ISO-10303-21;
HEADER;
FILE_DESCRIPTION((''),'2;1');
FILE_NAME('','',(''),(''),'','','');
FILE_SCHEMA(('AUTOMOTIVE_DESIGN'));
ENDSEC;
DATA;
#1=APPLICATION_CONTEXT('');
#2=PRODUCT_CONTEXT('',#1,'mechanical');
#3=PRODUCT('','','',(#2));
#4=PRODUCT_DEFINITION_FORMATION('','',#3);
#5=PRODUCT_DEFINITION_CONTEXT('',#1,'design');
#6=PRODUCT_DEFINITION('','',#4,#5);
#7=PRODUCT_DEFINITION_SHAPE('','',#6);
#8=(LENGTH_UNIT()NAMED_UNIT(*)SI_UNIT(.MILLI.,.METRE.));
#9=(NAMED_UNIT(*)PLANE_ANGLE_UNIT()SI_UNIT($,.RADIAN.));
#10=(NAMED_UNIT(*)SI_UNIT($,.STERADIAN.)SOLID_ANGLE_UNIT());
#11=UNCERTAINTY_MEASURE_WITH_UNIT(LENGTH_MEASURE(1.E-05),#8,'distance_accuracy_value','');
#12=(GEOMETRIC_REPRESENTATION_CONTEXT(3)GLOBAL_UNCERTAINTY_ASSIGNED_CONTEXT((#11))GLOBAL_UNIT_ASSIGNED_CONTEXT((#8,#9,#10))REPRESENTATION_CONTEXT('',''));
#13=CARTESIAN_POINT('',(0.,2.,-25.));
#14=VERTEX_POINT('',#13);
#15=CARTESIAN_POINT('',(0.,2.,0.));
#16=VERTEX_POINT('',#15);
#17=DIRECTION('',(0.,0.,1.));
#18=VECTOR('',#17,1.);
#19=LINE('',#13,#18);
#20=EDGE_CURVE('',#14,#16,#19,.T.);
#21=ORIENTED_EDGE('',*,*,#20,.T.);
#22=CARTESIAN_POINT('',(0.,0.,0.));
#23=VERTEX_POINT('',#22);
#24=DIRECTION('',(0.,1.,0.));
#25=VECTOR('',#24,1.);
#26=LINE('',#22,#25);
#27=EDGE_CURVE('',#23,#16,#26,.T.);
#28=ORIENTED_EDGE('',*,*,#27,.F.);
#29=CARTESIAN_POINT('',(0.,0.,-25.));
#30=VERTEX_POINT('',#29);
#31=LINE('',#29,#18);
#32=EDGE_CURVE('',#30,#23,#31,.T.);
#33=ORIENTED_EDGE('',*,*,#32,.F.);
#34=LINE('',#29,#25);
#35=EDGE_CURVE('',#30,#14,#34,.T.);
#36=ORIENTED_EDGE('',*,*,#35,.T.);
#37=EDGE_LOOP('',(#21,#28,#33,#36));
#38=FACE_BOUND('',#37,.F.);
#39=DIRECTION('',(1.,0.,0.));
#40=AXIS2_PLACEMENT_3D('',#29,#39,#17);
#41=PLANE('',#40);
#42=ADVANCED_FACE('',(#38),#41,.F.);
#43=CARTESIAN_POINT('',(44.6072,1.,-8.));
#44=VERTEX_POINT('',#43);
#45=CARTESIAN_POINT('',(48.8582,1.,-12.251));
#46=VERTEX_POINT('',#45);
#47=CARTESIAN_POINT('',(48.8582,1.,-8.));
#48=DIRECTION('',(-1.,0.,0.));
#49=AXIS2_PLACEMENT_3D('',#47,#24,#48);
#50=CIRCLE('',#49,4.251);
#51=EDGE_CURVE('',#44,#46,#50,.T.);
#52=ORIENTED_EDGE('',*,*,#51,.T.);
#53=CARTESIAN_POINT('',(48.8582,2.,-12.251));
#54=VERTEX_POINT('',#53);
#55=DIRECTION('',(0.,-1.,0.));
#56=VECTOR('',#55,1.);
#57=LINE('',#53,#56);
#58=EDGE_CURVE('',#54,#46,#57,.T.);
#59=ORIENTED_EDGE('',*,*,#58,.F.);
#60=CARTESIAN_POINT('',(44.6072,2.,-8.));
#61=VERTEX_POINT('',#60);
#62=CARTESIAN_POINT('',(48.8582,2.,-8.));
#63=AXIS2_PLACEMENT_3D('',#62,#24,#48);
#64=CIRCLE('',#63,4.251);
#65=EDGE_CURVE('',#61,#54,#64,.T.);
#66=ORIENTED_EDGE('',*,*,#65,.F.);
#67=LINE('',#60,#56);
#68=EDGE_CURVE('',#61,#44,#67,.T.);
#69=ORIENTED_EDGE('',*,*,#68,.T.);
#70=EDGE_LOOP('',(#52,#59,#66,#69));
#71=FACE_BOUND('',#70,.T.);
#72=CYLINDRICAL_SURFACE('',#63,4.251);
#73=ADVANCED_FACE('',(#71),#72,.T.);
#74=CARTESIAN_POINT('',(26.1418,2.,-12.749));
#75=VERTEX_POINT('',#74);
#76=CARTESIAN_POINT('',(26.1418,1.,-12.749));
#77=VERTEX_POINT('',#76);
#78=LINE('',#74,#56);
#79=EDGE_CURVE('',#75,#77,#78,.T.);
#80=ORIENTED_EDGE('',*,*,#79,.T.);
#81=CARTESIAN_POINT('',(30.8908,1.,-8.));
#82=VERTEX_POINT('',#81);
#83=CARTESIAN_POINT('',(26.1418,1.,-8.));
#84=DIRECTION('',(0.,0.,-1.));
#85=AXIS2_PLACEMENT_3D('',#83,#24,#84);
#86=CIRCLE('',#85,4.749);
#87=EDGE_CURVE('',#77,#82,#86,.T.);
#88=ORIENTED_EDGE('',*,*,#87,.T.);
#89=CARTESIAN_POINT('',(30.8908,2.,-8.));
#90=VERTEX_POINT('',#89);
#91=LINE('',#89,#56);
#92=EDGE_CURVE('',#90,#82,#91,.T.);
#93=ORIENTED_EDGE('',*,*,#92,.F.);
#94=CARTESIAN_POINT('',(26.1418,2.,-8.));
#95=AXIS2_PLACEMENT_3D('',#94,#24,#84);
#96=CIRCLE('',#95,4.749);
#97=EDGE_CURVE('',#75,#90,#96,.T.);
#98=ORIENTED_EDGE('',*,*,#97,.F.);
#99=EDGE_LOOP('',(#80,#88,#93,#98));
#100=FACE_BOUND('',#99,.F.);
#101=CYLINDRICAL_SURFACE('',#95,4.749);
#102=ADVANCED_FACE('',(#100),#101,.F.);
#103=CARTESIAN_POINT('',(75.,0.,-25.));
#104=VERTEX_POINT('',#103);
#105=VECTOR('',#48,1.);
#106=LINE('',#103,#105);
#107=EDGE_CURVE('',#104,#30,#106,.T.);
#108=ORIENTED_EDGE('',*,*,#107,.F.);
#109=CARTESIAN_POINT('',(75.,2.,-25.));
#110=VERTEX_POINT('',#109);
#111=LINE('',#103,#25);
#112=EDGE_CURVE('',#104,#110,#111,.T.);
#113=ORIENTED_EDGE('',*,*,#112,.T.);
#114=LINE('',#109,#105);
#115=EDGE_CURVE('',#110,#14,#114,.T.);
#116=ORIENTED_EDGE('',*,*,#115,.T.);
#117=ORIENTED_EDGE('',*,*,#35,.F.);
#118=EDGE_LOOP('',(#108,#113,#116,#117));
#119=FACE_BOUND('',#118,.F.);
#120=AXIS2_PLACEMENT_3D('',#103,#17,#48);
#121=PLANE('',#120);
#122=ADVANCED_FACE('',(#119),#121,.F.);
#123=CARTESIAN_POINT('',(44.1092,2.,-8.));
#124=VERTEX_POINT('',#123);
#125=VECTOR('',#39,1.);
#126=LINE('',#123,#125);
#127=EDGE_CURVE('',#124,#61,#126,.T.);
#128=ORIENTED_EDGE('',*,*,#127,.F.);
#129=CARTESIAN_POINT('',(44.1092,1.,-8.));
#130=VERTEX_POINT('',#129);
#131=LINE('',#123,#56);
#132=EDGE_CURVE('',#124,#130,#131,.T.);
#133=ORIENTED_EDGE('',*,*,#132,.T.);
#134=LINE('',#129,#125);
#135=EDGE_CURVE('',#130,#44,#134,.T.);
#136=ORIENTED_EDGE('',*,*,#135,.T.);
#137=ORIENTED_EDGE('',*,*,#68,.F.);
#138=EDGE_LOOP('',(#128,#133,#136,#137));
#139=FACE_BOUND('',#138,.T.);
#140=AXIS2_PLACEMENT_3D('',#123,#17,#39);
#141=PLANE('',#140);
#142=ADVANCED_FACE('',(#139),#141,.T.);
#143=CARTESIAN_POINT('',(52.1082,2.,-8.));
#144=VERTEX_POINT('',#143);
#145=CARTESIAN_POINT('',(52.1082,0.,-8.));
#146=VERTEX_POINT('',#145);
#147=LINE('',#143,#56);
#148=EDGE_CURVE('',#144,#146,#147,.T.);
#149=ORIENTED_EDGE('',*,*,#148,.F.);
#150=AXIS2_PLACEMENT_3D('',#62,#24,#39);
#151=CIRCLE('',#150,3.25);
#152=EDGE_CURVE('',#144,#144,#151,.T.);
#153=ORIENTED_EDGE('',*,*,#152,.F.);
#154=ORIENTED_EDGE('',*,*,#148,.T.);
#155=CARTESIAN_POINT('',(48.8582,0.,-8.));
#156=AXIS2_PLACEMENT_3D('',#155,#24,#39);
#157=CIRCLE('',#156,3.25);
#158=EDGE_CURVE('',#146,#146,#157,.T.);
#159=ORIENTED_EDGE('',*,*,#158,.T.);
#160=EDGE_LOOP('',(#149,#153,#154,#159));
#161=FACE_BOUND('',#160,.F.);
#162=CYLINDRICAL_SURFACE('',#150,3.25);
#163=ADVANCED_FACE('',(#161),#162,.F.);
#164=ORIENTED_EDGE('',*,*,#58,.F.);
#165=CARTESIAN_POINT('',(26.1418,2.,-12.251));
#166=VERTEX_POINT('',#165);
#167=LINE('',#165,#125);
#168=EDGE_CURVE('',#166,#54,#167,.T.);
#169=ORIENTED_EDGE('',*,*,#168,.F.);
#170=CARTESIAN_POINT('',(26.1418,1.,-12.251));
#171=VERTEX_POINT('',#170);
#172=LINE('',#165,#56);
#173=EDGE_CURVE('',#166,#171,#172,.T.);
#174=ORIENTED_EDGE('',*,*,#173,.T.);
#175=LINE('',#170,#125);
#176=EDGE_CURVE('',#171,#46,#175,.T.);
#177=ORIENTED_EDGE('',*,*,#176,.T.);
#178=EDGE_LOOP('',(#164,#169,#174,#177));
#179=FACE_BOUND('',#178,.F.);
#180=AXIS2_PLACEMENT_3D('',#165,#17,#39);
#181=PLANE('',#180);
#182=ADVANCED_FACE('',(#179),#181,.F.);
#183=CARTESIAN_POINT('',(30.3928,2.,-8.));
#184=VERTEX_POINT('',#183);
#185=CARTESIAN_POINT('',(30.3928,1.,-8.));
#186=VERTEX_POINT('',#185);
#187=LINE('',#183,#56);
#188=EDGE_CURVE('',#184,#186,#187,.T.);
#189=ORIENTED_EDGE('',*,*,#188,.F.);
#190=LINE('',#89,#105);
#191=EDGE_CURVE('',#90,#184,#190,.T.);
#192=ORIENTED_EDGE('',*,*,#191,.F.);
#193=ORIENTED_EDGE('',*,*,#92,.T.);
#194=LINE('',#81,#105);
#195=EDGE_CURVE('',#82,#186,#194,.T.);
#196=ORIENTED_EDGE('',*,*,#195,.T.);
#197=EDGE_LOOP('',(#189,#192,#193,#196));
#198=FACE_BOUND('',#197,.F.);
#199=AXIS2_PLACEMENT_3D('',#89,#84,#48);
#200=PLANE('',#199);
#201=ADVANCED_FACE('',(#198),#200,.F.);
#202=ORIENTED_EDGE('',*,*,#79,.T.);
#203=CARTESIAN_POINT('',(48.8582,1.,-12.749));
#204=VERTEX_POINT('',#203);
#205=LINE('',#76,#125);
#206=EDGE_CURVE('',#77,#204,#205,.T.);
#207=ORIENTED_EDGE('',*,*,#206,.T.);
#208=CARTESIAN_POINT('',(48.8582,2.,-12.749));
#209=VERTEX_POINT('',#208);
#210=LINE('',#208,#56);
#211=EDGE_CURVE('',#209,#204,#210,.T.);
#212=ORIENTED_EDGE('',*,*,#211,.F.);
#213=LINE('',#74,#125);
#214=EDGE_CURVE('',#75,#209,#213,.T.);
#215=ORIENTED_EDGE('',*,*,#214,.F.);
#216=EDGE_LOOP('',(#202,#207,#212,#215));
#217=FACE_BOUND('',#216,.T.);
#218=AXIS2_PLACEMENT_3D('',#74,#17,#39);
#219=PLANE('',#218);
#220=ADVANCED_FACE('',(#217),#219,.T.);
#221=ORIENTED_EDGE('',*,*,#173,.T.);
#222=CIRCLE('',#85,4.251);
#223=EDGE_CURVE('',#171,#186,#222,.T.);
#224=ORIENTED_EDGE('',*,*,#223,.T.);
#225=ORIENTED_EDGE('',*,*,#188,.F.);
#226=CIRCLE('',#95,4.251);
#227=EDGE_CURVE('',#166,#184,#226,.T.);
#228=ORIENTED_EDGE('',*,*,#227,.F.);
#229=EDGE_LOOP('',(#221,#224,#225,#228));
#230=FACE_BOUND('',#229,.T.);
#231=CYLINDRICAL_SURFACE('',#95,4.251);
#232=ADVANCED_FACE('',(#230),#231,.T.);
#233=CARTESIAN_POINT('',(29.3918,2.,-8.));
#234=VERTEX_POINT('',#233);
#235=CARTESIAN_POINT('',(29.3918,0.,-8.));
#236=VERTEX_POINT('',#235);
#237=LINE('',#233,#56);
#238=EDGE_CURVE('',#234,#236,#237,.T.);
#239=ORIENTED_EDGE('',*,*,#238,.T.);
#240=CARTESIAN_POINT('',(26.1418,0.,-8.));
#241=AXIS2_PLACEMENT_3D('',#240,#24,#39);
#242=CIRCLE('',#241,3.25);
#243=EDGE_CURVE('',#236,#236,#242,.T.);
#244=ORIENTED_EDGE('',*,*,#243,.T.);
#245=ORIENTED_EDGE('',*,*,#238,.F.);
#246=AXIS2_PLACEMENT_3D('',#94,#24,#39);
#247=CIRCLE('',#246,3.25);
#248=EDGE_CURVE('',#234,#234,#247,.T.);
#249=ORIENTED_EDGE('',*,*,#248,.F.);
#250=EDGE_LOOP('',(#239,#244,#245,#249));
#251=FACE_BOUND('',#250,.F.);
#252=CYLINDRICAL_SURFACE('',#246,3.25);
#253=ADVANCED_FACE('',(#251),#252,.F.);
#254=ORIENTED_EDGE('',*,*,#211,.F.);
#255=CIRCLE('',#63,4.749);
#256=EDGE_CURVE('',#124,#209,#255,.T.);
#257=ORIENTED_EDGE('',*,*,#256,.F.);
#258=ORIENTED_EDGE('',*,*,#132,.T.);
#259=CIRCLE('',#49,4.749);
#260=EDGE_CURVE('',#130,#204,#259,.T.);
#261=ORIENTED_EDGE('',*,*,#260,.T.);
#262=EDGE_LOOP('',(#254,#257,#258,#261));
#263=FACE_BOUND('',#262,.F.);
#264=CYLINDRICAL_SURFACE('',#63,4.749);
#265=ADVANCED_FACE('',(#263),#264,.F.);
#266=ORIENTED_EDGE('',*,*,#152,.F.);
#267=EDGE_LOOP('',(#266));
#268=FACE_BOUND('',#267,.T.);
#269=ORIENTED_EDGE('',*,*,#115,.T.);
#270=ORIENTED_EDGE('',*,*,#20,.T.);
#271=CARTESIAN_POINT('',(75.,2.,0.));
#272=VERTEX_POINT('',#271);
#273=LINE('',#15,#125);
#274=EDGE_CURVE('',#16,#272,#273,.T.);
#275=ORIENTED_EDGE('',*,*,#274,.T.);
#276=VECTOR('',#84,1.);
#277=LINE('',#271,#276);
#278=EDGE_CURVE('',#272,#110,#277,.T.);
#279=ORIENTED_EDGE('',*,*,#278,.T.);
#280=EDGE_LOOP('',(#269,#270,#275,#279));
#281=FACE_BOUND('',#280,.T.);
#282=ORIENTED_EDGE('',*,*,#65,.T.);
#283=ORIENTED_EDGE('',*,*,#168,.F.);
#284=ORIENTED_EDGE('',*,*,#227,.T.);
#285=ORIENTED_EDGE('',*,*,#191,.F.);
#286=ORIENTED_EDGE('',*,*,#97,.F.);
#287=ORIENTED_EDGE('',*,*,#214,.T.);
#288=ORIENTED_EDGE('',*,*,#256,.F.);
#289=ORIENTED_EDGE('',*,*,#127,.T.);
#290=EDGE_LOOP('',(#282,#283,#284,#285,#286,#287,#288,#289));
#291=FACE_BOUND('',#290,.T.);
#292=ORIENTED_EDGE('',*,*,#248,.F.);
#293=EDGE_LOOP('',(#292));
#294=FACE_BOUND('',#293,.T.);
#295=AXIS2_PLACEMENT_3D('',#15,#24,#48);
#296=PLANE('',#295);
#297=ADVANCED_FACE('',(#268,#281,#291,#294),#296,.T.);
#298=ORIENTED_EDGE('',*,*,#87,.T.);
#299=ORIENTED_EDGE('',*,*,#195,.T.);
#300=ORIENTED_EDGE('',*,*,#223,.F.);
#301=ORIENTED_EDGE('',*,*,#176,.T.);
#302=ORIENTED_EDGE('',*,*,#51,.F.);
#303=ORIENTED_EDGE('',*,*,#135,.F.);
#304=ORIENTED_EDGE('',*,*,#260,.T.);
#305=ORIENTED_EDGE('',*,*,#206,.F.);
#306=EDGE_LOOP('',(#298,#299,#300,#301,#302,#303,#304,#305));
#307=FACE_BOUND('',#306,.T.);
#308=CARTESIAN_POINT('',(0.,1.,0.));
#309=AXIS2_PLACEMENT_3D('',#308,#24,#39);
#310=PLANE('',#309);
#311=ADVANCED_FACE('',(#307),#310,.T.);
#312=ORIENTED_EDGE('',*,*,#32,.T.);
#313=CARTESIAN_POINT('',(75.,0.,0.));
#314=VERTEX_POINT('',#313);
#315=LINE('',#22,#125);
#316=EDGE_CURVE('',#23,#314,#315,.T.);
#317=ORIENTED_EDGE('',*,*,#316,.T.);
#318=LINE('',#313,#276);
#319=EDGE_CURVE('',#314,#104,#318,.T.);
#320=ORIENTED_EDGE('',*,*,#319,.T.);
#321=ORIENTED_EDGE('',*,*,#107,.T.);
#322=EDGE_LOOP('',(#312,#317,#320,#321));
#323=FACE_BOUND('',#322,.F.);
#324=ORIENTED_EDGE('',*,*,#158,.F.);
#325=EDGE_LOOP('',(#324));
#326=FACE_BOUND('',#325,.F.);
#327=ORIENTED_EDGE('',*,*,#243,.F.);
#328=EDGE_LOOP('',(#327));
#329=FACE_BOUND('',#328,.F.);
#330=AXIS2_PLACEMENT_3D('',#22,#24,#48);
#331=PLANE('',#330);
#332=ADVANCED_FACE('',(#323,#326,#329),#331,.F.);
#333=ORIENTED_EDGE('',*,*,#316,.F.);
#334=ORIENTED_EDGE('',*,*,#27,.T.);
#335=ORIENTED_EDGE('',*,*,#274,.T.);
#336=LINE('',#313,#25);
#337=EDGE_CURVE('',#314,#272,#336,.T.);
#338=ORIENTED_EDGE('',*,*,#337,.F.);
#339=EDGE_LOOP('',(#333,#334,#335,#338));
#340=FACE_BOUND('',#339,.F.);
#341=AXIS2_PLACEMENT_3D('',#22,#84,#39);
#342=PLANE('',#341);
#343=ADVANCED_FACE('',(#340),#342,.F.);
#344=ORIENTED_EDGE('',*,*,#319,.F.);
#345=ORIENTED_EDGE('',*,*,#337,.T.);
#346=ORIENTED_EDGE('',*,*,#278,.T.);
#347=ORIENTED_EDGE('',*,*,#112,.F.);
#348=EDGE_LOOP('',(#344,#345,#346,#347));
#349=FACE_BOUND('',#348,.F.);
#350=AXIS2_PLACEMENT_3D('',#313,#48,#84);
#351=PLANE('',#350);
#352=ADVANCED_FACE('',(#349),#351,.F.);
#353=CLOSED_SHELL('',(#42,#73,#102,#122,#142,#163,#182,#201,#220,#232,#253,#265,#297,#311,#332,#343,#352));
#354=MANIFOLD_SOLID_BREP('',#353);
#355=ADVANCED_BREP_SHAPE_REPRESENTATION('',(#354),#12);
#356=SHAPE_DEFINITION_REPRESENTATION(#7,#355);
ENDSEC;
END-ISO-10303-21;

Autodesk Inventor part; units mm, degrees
ref_plane "YZ Plane" through (0, 0, 0) normal (1, 0, 0) x (0, 1, 0)
ref_plane "XZ Plane" through (0, 0, 0) normal (0, 1, 0) x (-1, 0, 0)
ref_plane "XY Plane" through (0, 0, 0) normal (0, 0, 1) x (1, 0, 0)
sketch "Sombreado_1" plane through (0, 0, 0) normal (0, 0, 1) x (1, 0, 0)
  point P0 (0, 0)
sketch "Sombreado_2" plane through (0, 0, 0) normal (0, 0, 1) x (1, 0, 0)
  point P0 (0, 0)
sketch "Sombreado_3" plane through (0, 0, 0) normal (0, 0, 1) x (1, 0, 0)
  point P0 (0, 0)
sketch "Boceto1" plane through (0, 0, 0) normal (0, 1, 0) x (-1, 0, 0)
  line L0 (30.3882, 1.25) -> (30.8882, 1.25)
  line L1 (0, -6.75) -> (75, -6.75)
  line L2 (75, -6.75) -> (75, 18.25)
  line L3 (75, 18.25) -> (0, 18.25)
  line L4 (0, 18.25) -> (0, -6.75)
  arc A0 (21.3882, 1.25) -> (30.8882, 1.25) centre (26.1382, 1.25) ccw
  arc A1 (21.8882, 1.25) -> (30.3882, 1.25) centre (26.1382, 1.25) ccw
  line L5 (21.3882, 1.25) -> (21.8882, 1.25)
  line L6 (1.8, 2.5) -> (5.3, 2.5)
  line L7 (1.8, 2.5) -> (1.8, 3)
  line L8 (1.8, 3) -> (1, 3)
  line L9 (1, 3) -> (1, 2.5)
  line L10 (1, 0) -> (0, 0)
  line L11 (1, 0) -> (1, -0.5)
  line L12 (1, -0.5) -> (1.8, -0.5)
  line L13 (1.8, -0.5) -> (1.8, 0)
  line L14 (5.3, 0) -> (1.8, 0)
  line L15 (0, 2.5) -> (1, 2.5)
  line L16 (1.8, 11.5) -> (5.3, 11.5)
  line L17 (5.3, 9) -> (1.8, 9)
  line L18 (1, 9) -> (0, 9)
  line L19 (0, 11.5) -> (1, 11.5)
  line L20 (1.8, 11.5) -> (1.8, 12)
  line L21 (1.8, 12) -> (1, 12)
  line L22 (1, 12) -> (1, 11.5)
  line L23 (1, 9) -> (1, 8.5)
  line L24 (1, 8.5) -> (1.8, 8.5)
  line L25 (1.8, 8.5) -> (1.8, 9)
  line L26 (44.6082, 1.25) -> (44.1082, 1.25)
  arc A2 (44.1082, 1.25) -> (53.6082, 1.25) centre (48.8582, 1.25) ccw
  arc A3 (44.6082, 1.25) -> (53.1082, 1.25) centre (48.8582, 1.25) ccw
  line L27 (53.6082, 1.25) -> (53.1082, 1.25)
  line L28 (73.1964, 2.5) -> (69.6964, 2.5)
  line L29 (69.6964, 0) -> (73.1964, 0)
  line L30 (73.9964, 0) -> (74.9964, 0)
  line L31 (74.9964, 2.5) -> (73.9964, 2.5)
  line L32 (73.1964, 2.5) -> (73.1964, 3)
  line L33 (73.1964, 3) -> (73.9964, 3)
  line L34 (73.9964, 3) -> (73.9964, 2.5)
  line L35 (73.9964, 0) -> (73.9964, -0.5)
  line L36 (73.9964, -0.5) -> (73.1964, -0.5)
  line L37 (73.1964, -0.5) -> (73.1964, 0)
  line L38 (73.1964, 11.5) -> (69.6964, 11.5)
  line L39 (69.6964, 9) -> (73.1964, 9)
  line L40 (73.9964, 9) -> (74.9964, 9)
  line L41 (74.9964, 11.5) -> (73.9964, 11.5)
  line L42 (73.1964, 11.5) -> (73.1964, 12)
  line L43 (73.1964, 12) -> (73.9964, 12)
  line L44 (73.9964, 12) -> (73.9964, 11.5)
  line L45 (73.9964, 9) -> (73.9964, 8.5)
  line L46 (73.9964, 8.5) -> (73.1964, 8.5)
  line L47 (73.1964, 8.5) -> (73.1964, 9)
  line L48 (75, 18.25) -> (75, 43.25)
  line L49 (75, 43.25) -> (0, 43.25)
  line L50 (0, 43.25) -> (0, 18.25)
  line L51 (5.3, 11.5) -> (5.3, 9)
  line L52 (5.3, 2.5) -> (5.3, 0)
  line L53 (69.6964, 11.5) -> (69.6964, 9)
  line L54 (69.6964, 2.5) -> (69.6964, 0)
  circle A4 centre (26.1382, 1.25) radius 3.25
  circle A5 centre (48.8582, 1.25) radius 3.25
  circle A6 centre (26.1382, 26.25) radius 3.25
  circle A7 centre (48.8582, 26.25) radius 3.25
  line L55 (75, 43.25) -> (75, 68.25)
  line L56 (75, 68.25) -> (0, 68.25)
  line L57 (0, 68.25) -> (0, 43.25)
  circle A8 centre (26.1382, 51.25) radius 3.25
  circle A9 centre (48.8582, 51.25) radius 3.25
  point P0 (0, 0)
sketch "Boceto3" plane through (0, 0, 0) normal (0, 1, 0) x (-1, 0, 0)
  line L0 (0, 0) -> (-75, 0)
  line L1 (-75, 0) -> (-75, -25)
  line L2 (-75, -25) -> (0, -25)
  line L3 (0, -25) -> (0, 0)
  line L4 (0, 0) -> (-75, 0)
  line L5 (-75, 0) -> (-75, -25)
  line L6 (-75, -25) -> (0, -25)
  line L7 (0, -25) -> (0, 0)
  dimension "d4" = 75
  dimension "d5" = 25
  dimension "d6" = 75
  dimension "d7" = 25
extrude "Extrusión1" add sketch "Boceto3" along normal blind 2
sketch "Boceto4" plane through (0, 2, 0) normal (0, 1, 0) x (1, 0, 0)
  circle A0 centre (26.1418, 8) radius 3.25
  line L0 (0, 0) -> (75, 0) projected
  line L1 (75, 25) -> (0, 25) projected
  circle A1 centre (48.8582, 8) radius 3.25
extrude "Extrusión2" cut sketch "Boceto4" against normal blind 2
sketch "Boceto5" plane through (0, 2, 0) normal (0, 1, 0) x (1, 0, 0)
  line L0 (30.8908, 8) -> (30.3928, 8)
  line L1 (44.1092, 8) -> (44.6072, 8)
  arc A0 (44.6072, 8) -> (48.8582, 12.251) centre (48.8582, 8) ccw
  arc A1 (44.1092, 8) -> (48.8582, 12.749) centre (48.8582, 8) ccw
  arc A2 (26.1418, 12.251) -> (30.3928, 8) centre (26.1418, 8) ccw
  arc A3 (26.1418, 12.749) -> (30.8908, 8) centre (26.1418, 8) ccw
  line L2 (26.1418, 12.251) -> (48.8582, 12.251)
  line L3 (26.1418, 12.749) -> (48.8582, 12.749)
  point P0 (0, 0)
extrude "Extrusión3" cut sketch "Boceto5" against normal blind 1
properties part number "2ureactor TorusTapa1" material "PPS Plastic"
